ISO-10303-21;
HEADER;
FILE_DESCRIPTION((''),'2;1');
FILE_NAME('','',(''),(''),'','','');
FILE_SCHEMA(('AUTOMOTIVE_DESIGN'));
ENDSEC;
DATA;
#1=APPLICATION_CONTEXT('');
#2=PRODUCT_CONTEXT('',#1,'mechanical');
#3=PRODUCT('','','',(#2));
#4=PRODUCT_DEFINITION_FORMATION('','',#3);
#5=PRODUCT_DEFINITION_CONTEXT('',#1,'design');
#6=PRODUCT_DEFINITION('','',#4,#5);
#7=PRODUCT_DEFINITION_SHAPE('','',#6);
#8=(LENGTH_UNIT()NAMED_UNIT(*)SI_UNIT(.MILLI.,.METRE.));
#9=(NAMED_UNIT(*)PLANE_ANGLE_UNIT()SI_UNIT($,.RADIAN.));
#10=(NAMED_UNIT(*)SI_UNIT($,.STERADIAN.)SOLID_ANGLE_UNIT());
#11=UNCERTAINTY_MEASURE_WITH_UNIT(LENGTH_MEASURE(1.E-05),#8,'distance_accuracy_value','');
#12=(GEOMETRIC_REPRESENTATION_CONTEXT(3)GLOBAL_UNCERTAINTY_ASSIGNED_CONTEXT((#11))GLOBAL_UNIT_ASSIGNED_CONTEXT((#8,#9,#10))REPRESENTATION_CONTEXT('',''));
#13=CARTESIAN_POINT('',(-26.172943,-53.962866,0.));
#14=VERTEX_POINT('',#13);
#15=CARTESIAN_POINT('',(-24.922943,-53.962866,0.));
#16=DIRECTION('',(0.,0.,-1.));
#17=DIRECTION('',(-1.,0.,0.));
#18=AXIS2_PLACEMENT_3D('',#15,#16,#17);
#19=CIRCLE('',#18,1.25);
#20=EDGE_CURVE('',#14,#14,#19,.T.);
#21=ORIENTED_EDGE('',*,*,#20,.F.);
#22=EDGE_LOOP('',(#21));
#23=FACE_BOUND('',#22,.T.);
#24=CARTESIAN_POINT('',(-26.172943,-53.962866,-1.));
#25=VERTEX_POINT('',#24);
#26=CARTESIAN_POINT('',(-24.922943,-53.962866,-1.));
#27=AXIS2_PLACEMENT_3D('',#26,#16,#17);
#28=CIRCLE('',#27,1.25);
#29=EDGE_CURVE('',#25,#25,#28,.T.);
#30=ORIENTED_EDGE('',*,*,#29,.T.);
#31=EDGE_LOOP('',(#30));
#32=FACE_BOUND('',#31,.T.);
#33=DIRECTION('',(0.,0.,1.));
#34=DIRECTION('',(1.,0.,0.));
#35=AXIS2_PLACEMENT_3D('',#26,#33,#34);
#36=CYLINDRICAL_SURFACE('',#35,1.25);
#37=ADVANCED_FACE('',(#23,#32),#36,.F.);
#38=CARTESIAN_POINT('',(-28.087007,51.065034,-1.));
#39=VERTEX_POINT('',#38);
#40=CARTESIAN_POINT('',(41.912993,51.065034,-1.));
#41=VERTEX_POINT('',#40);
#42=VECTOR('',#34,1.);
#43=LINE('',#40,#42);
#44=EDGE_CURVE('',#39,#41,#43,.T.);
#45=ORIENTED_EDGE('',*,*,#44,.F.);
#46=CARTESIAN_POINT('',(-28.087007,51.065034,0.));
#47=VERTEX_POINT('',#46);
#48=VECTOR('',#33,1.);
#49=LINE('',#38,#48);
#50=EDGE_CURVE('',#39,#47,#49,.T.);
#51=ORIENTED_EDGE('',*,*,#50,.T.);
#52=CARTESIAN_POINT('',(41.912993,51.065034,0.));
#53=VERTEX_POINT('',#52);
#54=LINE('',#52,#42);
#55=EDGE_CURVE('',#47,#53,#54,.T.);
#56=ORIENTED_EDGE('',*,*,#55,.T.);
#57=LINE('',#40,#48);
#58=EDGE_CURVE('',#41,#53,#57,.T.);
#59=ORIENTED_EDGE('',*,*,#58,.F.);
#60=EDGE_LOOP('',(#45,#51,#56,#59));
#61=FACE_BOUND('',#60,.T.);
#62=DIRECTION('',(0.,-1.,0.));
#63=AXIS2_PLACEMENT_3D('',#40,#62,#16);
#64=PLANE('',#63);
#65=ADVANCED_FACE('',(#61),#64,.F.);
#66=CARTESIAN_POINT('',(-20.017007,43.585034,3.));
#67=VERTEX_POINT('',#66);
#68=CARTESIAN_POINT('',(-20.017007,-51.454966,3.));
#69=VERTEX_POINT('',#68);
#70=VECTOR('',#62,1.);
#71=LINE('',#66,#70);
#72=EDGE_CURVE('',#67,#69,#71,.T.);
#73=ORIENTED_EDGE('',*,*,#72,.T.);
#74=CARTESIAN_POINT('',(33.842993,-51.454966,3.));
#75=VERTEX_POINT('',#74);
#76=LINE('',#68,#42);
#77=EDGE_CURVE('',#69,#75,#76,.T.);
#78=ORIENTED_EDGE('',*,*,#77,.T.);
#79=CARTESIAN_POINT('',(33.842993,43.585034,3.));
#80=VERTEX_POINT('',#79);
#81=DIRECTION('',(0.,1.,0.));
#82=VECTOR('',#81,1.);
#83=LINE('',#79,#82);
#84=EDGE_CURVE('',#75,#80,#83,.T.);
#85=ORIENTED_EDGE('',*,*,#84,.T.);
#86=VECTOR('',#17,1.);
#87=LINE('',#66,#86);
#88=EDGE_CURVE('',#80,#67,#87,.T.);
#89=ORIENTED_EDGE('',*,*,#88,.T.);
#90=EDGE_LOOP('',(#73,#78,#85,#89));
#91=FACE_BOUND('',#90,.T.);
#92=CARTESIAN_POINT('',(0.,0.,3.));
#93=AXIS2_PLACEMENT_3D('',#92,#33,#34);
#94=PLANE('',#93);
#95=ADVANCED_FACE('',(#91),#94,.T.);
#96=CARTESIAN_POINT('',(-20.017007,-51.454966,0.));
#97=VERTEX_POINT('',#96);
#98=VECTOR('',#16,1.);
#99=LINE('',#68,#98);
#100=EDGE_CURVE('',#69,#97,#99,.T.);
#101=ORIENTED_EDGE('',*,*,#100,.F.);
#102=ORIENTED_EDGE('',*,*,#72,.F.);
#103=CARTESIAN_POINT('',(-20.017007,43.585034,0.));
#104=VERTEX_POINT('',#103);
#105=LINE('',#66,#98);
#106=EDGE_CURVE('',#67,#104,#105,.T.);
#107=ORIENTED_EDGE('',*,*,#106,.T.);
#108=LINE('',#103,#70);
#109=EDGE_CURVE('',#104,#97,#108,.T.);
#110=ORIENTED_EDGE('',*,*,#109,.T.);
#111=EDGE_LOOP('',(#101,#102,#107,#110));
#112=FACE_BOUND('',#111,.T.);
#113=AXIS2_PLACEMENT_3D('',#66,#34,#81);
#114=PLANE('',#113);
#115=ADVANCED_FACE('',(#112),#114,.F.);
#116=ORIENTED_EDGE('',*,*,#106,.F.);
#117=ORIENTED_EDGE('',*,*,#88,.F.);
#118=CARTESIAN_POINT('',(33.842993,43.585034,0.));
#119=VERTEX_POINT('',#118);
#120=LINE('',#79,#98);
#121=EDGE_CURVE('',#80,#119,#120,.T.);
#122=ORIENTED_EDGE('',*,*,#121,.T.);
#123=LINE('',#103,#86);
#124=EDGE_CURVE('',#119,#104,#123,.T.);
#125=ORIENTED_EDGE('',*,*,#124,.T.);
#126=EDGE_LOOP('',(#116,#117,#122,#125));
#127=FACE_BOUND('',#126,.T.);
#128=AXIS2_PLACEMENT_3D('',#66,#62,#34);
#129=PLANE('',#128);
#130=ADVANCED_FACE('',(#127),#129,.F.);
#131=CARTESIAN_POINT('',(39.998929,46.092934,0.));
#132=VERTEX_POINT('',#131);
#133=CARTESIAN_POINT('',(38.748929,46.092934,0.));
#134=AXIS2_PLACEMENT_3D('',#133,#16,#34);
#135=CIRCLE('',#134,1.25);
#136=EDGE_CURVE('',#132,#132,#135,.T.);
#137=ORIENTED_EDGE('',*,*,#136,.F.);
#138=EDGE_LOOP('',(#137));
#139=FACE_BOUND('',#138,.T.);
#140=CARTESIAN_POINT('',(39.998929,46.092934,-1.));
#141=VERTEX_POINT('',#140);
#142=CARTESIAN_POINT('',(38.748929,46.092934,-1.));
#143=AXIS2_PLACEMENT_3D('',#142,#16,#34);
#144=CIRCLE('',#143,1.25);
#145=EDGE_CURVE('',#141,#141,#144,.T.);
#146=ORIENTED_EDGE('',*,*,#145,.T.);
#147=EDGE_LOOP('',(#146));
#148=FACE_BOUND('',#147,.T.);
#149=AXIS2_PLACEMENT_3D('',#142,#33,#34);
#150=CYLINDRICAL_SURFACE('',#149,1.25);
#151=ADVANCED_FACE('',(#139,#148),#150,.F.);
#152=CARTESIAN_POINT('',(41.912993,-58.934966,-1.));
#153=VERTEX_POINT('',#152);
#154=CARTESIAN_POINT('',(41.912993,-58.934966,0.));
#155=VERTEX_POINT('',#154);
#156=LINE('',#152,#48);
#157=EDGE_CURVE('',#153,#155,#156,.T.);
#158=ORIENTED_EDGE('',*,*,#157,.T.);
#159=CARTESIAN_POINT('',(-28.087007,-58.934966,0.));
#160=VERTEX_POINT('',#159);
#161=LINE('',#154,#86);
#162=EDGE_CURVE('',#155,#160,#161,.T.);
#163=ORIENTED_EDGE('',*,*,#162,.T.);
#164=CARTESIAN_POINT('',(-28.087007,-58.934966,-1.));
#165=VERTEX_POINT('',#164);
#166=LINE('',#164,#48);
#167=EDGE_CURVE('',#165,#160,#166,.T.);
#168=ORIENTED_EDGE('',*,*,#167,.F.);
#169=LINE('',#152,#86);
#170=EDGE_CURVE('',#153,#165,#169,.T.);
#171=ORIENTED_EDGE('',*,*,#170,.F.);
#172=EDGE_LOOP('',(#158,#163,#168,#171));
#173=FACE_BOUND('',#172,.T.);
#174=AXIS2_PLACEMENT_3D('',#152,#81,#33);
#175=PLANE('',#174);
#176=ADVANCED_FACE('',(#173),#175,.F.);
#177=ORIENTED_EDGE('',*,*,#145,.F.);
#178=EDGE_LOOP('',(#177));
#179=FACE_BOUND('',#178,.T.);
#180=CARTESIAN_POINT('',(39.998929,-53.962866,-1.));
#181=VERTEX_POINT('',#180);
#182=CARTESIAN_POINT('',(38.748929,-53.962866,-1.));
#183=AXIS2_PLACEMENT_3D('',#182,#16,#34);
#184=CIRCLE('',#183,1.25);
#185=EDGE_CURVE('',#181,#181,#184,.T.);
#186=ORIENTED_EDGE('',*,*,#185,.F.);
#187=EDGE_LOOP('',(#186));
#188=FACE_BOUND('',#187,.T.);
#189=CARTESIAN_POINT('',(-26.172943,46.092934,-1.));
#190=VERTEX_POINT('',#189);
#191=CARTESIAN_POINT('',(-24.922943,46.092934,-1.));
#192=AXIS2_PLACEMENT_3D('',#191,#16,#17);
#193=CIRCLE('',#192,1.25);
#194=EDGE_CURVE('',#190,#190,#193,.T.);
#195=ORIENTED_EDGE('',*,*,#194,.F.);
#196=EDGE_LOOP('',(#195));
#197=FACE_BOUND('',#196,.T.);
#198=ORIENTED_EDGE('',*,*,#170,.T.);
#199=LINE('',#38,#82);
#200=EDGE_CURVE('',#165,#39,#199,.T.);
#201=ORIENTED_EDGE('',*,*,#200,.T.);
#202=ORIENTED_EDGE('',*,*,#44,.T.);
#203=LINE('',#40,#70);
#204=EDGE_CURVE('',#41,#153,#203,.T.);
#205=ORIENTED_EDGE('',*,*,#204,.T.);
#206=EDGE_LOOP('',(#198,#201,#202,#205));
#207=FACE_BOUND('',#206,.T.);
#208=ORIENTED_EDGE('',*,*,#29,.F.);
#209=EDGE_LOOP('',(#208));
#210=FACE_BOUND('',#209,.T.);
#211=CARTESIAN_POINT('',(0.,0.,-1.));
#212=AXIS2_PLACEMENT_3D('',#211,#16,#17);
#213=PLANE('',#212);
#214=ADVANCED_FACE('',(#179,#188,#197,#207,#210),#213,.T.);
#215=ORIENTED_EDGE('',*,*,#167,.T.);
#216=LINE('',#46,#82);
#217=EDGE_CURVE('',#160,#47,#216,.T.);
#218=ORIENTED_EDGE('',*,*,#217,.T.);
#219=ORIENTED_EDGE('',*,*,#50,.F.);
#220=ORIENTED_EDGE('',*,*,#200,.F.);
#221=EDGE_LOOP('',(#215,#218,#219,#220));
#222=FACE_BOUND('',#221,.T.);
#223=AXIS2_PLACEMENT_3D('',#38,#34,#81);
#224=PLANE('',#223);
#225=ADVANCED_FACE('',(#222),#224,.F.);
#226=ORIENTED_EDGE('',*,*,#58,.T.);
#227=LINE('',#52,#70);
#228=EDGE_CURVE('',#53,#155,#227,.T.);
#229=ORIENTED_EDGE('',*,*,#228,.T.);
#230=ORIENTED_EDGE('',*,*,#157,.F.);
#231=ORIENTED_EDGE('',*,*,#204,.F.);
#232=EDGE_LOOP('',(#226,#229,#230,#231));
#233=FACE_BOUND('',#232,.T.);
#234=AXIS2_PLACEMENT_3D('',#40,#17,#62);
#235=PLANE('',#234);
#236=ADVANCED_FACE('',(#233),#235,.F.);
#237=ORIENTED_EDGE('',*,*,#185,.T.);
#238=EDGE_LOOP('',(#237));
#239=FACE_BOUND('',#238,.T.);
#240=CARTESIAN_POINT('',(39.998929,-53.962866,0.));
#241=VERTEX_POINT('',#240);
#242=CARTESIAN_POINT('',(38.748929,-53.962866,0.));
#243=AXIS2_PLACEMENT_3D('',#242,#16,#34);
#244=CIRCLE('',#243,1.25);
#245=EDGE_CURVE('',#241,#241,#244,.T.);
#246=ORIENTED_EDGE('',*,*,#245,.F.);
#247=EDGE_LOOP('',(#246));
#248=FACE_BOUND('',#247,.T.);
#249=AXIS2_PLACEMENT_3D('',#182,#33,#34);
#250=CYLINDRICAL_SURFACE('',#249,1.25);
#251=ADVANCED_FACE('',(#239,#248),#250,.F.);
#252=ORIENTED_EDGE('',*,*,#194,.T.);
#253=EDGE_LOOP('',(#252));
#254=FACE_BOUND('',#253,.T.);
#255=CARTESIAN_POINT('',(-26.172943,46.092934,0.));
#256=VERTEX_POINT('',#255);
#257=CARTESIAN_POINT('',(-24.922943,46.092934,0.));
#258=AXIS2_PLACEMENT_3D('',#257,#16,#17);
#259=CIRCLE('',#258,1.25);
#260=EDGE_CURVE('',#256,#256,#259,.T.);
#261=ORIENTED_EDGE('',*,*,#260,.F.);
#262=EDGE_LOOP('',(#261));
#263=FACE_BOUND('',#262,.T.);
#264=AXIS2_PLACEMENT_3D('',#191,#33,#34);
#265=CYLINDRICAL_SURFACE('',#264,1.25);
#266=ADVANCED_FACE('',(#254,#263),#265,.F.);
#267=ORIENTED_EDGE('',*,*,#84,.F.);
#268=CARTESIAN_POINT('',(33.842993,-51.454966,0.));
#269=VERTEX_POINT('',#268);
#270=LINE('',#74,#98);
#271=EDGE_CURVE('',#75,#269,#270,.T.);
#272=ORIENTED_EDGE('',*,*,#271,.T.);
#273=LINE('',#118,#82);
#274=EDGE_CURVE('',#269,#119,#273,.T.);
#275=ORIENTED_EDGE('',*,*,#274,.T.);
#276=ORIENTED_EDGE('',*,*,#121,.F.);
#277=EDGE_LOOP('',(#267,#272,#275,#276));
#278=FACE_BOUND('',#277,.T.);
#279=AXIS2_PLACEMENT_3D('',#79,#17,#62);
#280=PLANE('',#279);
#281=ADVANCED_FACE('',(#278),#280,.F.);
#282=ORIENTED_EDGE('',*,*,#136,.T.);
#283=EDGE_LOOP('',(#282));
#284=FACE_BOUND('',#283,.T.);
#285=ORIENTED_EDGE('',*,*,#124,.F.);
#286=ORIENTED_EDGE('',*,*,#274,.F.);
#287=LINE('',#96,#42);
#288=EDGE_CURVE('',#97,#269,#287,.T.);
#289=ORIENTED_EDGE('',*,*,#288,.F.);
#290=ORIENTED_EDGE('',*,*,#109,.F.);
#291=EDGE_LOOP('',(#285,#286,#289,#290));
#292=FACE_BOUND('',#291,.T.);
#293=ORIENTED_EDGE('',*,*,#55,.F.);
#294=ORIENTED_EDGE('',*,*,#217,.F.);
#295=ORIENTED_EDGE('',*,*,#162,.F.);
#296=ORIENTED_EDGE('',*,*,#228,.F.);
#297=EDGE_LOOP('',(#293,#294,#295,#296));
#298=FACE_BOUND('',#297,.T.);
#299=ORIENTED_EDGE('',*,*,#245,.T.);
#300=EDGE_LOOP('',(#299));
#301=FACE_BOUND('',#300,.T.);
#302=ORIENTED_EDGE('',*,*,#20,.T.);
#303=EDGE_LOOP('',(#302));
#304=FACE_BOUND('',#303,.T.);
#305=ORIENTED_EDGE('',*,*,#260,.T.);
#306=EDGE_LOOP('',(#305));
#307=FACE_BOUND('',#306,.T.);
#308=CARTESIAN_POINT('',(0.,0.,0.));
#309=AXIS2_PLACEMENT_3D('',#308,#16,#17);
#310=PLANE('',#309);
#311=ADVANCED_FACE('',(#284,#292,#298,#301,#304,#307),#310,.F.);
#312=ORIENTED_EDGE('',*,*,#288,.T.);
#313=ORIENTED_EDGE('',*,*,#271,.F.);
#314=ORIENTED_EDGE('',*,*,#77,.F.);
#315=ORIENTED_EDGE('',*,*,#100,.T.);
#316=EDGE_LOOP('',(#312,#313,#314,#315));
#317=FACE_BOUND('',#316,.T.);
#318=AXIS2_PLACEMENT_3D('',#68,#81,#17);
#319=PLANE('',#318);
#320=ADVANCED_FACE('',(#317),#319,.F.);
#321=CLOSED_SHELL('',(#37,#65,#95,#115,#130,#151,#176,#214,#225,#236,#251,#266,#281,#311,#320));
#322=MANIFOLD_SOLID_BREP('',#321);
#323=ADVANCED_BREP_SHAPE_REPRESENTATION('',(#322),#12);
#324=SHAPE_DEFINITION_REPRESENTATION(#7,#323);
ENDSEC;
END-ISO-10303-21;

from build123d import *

# Parameters (mm, degrees)
SKETCH2_W           = 53.86
SKETCH2_H           = 95.04
BOSS_EXTRUDE1_DEPTH = 3
SKETCH3_W           = 70
SKETCH3_H           = 110
SKETCH3_R           = 1.25
BOSS_EXTRUDE2_DEPTH = 1


with BuildPart() as part:
    # Sketch2 → Boss-Extrude1 (new body)
    with BuildSketch(Plane.XY):
        with Locations((6.912993197, -3.934965986)):
            Rectangle(SKETCH2_W, SKETCH2_H)
    extrude(amount=BOSS_EXTRUDE1_DEPTH)

    # Sketch3 → Boss-Extrude2 (add)
    with BuildSketch(Plane(origin=(0, 0, 0), x_dir=(-1, 0, 0), z_dir=(0, 0, -1))):
        with Locations((-6.912993197, -3.934965986)):
            Rectangle(SKETCH3_W, SKETCH3_H)
        with Locations((24.922942909, 46.09293361)):
            Circle(SKETCH3_R, mode=Mode.SUBTRACT)
        with Locations((24.922942909, -53.962865582)):
            Circle(SKETCH3_R, mode=Mode.SUBTRACT)
        with Locations(Location((-38.748929304, 46.09293361, 0), (0, 0, 180))):
            Circle(SKETCH3_R, mode=Mode.SUBTRACT)
        with Locations(Location((-38.748929304, -53.962865582, 0), (0, 0, 180))):
            Circle(SKETCH3_R, mode=Mode.SUBTRACT)
    extrude(amount=BOSS_EXTRUDE2_DEPTH)


solid = part.part
